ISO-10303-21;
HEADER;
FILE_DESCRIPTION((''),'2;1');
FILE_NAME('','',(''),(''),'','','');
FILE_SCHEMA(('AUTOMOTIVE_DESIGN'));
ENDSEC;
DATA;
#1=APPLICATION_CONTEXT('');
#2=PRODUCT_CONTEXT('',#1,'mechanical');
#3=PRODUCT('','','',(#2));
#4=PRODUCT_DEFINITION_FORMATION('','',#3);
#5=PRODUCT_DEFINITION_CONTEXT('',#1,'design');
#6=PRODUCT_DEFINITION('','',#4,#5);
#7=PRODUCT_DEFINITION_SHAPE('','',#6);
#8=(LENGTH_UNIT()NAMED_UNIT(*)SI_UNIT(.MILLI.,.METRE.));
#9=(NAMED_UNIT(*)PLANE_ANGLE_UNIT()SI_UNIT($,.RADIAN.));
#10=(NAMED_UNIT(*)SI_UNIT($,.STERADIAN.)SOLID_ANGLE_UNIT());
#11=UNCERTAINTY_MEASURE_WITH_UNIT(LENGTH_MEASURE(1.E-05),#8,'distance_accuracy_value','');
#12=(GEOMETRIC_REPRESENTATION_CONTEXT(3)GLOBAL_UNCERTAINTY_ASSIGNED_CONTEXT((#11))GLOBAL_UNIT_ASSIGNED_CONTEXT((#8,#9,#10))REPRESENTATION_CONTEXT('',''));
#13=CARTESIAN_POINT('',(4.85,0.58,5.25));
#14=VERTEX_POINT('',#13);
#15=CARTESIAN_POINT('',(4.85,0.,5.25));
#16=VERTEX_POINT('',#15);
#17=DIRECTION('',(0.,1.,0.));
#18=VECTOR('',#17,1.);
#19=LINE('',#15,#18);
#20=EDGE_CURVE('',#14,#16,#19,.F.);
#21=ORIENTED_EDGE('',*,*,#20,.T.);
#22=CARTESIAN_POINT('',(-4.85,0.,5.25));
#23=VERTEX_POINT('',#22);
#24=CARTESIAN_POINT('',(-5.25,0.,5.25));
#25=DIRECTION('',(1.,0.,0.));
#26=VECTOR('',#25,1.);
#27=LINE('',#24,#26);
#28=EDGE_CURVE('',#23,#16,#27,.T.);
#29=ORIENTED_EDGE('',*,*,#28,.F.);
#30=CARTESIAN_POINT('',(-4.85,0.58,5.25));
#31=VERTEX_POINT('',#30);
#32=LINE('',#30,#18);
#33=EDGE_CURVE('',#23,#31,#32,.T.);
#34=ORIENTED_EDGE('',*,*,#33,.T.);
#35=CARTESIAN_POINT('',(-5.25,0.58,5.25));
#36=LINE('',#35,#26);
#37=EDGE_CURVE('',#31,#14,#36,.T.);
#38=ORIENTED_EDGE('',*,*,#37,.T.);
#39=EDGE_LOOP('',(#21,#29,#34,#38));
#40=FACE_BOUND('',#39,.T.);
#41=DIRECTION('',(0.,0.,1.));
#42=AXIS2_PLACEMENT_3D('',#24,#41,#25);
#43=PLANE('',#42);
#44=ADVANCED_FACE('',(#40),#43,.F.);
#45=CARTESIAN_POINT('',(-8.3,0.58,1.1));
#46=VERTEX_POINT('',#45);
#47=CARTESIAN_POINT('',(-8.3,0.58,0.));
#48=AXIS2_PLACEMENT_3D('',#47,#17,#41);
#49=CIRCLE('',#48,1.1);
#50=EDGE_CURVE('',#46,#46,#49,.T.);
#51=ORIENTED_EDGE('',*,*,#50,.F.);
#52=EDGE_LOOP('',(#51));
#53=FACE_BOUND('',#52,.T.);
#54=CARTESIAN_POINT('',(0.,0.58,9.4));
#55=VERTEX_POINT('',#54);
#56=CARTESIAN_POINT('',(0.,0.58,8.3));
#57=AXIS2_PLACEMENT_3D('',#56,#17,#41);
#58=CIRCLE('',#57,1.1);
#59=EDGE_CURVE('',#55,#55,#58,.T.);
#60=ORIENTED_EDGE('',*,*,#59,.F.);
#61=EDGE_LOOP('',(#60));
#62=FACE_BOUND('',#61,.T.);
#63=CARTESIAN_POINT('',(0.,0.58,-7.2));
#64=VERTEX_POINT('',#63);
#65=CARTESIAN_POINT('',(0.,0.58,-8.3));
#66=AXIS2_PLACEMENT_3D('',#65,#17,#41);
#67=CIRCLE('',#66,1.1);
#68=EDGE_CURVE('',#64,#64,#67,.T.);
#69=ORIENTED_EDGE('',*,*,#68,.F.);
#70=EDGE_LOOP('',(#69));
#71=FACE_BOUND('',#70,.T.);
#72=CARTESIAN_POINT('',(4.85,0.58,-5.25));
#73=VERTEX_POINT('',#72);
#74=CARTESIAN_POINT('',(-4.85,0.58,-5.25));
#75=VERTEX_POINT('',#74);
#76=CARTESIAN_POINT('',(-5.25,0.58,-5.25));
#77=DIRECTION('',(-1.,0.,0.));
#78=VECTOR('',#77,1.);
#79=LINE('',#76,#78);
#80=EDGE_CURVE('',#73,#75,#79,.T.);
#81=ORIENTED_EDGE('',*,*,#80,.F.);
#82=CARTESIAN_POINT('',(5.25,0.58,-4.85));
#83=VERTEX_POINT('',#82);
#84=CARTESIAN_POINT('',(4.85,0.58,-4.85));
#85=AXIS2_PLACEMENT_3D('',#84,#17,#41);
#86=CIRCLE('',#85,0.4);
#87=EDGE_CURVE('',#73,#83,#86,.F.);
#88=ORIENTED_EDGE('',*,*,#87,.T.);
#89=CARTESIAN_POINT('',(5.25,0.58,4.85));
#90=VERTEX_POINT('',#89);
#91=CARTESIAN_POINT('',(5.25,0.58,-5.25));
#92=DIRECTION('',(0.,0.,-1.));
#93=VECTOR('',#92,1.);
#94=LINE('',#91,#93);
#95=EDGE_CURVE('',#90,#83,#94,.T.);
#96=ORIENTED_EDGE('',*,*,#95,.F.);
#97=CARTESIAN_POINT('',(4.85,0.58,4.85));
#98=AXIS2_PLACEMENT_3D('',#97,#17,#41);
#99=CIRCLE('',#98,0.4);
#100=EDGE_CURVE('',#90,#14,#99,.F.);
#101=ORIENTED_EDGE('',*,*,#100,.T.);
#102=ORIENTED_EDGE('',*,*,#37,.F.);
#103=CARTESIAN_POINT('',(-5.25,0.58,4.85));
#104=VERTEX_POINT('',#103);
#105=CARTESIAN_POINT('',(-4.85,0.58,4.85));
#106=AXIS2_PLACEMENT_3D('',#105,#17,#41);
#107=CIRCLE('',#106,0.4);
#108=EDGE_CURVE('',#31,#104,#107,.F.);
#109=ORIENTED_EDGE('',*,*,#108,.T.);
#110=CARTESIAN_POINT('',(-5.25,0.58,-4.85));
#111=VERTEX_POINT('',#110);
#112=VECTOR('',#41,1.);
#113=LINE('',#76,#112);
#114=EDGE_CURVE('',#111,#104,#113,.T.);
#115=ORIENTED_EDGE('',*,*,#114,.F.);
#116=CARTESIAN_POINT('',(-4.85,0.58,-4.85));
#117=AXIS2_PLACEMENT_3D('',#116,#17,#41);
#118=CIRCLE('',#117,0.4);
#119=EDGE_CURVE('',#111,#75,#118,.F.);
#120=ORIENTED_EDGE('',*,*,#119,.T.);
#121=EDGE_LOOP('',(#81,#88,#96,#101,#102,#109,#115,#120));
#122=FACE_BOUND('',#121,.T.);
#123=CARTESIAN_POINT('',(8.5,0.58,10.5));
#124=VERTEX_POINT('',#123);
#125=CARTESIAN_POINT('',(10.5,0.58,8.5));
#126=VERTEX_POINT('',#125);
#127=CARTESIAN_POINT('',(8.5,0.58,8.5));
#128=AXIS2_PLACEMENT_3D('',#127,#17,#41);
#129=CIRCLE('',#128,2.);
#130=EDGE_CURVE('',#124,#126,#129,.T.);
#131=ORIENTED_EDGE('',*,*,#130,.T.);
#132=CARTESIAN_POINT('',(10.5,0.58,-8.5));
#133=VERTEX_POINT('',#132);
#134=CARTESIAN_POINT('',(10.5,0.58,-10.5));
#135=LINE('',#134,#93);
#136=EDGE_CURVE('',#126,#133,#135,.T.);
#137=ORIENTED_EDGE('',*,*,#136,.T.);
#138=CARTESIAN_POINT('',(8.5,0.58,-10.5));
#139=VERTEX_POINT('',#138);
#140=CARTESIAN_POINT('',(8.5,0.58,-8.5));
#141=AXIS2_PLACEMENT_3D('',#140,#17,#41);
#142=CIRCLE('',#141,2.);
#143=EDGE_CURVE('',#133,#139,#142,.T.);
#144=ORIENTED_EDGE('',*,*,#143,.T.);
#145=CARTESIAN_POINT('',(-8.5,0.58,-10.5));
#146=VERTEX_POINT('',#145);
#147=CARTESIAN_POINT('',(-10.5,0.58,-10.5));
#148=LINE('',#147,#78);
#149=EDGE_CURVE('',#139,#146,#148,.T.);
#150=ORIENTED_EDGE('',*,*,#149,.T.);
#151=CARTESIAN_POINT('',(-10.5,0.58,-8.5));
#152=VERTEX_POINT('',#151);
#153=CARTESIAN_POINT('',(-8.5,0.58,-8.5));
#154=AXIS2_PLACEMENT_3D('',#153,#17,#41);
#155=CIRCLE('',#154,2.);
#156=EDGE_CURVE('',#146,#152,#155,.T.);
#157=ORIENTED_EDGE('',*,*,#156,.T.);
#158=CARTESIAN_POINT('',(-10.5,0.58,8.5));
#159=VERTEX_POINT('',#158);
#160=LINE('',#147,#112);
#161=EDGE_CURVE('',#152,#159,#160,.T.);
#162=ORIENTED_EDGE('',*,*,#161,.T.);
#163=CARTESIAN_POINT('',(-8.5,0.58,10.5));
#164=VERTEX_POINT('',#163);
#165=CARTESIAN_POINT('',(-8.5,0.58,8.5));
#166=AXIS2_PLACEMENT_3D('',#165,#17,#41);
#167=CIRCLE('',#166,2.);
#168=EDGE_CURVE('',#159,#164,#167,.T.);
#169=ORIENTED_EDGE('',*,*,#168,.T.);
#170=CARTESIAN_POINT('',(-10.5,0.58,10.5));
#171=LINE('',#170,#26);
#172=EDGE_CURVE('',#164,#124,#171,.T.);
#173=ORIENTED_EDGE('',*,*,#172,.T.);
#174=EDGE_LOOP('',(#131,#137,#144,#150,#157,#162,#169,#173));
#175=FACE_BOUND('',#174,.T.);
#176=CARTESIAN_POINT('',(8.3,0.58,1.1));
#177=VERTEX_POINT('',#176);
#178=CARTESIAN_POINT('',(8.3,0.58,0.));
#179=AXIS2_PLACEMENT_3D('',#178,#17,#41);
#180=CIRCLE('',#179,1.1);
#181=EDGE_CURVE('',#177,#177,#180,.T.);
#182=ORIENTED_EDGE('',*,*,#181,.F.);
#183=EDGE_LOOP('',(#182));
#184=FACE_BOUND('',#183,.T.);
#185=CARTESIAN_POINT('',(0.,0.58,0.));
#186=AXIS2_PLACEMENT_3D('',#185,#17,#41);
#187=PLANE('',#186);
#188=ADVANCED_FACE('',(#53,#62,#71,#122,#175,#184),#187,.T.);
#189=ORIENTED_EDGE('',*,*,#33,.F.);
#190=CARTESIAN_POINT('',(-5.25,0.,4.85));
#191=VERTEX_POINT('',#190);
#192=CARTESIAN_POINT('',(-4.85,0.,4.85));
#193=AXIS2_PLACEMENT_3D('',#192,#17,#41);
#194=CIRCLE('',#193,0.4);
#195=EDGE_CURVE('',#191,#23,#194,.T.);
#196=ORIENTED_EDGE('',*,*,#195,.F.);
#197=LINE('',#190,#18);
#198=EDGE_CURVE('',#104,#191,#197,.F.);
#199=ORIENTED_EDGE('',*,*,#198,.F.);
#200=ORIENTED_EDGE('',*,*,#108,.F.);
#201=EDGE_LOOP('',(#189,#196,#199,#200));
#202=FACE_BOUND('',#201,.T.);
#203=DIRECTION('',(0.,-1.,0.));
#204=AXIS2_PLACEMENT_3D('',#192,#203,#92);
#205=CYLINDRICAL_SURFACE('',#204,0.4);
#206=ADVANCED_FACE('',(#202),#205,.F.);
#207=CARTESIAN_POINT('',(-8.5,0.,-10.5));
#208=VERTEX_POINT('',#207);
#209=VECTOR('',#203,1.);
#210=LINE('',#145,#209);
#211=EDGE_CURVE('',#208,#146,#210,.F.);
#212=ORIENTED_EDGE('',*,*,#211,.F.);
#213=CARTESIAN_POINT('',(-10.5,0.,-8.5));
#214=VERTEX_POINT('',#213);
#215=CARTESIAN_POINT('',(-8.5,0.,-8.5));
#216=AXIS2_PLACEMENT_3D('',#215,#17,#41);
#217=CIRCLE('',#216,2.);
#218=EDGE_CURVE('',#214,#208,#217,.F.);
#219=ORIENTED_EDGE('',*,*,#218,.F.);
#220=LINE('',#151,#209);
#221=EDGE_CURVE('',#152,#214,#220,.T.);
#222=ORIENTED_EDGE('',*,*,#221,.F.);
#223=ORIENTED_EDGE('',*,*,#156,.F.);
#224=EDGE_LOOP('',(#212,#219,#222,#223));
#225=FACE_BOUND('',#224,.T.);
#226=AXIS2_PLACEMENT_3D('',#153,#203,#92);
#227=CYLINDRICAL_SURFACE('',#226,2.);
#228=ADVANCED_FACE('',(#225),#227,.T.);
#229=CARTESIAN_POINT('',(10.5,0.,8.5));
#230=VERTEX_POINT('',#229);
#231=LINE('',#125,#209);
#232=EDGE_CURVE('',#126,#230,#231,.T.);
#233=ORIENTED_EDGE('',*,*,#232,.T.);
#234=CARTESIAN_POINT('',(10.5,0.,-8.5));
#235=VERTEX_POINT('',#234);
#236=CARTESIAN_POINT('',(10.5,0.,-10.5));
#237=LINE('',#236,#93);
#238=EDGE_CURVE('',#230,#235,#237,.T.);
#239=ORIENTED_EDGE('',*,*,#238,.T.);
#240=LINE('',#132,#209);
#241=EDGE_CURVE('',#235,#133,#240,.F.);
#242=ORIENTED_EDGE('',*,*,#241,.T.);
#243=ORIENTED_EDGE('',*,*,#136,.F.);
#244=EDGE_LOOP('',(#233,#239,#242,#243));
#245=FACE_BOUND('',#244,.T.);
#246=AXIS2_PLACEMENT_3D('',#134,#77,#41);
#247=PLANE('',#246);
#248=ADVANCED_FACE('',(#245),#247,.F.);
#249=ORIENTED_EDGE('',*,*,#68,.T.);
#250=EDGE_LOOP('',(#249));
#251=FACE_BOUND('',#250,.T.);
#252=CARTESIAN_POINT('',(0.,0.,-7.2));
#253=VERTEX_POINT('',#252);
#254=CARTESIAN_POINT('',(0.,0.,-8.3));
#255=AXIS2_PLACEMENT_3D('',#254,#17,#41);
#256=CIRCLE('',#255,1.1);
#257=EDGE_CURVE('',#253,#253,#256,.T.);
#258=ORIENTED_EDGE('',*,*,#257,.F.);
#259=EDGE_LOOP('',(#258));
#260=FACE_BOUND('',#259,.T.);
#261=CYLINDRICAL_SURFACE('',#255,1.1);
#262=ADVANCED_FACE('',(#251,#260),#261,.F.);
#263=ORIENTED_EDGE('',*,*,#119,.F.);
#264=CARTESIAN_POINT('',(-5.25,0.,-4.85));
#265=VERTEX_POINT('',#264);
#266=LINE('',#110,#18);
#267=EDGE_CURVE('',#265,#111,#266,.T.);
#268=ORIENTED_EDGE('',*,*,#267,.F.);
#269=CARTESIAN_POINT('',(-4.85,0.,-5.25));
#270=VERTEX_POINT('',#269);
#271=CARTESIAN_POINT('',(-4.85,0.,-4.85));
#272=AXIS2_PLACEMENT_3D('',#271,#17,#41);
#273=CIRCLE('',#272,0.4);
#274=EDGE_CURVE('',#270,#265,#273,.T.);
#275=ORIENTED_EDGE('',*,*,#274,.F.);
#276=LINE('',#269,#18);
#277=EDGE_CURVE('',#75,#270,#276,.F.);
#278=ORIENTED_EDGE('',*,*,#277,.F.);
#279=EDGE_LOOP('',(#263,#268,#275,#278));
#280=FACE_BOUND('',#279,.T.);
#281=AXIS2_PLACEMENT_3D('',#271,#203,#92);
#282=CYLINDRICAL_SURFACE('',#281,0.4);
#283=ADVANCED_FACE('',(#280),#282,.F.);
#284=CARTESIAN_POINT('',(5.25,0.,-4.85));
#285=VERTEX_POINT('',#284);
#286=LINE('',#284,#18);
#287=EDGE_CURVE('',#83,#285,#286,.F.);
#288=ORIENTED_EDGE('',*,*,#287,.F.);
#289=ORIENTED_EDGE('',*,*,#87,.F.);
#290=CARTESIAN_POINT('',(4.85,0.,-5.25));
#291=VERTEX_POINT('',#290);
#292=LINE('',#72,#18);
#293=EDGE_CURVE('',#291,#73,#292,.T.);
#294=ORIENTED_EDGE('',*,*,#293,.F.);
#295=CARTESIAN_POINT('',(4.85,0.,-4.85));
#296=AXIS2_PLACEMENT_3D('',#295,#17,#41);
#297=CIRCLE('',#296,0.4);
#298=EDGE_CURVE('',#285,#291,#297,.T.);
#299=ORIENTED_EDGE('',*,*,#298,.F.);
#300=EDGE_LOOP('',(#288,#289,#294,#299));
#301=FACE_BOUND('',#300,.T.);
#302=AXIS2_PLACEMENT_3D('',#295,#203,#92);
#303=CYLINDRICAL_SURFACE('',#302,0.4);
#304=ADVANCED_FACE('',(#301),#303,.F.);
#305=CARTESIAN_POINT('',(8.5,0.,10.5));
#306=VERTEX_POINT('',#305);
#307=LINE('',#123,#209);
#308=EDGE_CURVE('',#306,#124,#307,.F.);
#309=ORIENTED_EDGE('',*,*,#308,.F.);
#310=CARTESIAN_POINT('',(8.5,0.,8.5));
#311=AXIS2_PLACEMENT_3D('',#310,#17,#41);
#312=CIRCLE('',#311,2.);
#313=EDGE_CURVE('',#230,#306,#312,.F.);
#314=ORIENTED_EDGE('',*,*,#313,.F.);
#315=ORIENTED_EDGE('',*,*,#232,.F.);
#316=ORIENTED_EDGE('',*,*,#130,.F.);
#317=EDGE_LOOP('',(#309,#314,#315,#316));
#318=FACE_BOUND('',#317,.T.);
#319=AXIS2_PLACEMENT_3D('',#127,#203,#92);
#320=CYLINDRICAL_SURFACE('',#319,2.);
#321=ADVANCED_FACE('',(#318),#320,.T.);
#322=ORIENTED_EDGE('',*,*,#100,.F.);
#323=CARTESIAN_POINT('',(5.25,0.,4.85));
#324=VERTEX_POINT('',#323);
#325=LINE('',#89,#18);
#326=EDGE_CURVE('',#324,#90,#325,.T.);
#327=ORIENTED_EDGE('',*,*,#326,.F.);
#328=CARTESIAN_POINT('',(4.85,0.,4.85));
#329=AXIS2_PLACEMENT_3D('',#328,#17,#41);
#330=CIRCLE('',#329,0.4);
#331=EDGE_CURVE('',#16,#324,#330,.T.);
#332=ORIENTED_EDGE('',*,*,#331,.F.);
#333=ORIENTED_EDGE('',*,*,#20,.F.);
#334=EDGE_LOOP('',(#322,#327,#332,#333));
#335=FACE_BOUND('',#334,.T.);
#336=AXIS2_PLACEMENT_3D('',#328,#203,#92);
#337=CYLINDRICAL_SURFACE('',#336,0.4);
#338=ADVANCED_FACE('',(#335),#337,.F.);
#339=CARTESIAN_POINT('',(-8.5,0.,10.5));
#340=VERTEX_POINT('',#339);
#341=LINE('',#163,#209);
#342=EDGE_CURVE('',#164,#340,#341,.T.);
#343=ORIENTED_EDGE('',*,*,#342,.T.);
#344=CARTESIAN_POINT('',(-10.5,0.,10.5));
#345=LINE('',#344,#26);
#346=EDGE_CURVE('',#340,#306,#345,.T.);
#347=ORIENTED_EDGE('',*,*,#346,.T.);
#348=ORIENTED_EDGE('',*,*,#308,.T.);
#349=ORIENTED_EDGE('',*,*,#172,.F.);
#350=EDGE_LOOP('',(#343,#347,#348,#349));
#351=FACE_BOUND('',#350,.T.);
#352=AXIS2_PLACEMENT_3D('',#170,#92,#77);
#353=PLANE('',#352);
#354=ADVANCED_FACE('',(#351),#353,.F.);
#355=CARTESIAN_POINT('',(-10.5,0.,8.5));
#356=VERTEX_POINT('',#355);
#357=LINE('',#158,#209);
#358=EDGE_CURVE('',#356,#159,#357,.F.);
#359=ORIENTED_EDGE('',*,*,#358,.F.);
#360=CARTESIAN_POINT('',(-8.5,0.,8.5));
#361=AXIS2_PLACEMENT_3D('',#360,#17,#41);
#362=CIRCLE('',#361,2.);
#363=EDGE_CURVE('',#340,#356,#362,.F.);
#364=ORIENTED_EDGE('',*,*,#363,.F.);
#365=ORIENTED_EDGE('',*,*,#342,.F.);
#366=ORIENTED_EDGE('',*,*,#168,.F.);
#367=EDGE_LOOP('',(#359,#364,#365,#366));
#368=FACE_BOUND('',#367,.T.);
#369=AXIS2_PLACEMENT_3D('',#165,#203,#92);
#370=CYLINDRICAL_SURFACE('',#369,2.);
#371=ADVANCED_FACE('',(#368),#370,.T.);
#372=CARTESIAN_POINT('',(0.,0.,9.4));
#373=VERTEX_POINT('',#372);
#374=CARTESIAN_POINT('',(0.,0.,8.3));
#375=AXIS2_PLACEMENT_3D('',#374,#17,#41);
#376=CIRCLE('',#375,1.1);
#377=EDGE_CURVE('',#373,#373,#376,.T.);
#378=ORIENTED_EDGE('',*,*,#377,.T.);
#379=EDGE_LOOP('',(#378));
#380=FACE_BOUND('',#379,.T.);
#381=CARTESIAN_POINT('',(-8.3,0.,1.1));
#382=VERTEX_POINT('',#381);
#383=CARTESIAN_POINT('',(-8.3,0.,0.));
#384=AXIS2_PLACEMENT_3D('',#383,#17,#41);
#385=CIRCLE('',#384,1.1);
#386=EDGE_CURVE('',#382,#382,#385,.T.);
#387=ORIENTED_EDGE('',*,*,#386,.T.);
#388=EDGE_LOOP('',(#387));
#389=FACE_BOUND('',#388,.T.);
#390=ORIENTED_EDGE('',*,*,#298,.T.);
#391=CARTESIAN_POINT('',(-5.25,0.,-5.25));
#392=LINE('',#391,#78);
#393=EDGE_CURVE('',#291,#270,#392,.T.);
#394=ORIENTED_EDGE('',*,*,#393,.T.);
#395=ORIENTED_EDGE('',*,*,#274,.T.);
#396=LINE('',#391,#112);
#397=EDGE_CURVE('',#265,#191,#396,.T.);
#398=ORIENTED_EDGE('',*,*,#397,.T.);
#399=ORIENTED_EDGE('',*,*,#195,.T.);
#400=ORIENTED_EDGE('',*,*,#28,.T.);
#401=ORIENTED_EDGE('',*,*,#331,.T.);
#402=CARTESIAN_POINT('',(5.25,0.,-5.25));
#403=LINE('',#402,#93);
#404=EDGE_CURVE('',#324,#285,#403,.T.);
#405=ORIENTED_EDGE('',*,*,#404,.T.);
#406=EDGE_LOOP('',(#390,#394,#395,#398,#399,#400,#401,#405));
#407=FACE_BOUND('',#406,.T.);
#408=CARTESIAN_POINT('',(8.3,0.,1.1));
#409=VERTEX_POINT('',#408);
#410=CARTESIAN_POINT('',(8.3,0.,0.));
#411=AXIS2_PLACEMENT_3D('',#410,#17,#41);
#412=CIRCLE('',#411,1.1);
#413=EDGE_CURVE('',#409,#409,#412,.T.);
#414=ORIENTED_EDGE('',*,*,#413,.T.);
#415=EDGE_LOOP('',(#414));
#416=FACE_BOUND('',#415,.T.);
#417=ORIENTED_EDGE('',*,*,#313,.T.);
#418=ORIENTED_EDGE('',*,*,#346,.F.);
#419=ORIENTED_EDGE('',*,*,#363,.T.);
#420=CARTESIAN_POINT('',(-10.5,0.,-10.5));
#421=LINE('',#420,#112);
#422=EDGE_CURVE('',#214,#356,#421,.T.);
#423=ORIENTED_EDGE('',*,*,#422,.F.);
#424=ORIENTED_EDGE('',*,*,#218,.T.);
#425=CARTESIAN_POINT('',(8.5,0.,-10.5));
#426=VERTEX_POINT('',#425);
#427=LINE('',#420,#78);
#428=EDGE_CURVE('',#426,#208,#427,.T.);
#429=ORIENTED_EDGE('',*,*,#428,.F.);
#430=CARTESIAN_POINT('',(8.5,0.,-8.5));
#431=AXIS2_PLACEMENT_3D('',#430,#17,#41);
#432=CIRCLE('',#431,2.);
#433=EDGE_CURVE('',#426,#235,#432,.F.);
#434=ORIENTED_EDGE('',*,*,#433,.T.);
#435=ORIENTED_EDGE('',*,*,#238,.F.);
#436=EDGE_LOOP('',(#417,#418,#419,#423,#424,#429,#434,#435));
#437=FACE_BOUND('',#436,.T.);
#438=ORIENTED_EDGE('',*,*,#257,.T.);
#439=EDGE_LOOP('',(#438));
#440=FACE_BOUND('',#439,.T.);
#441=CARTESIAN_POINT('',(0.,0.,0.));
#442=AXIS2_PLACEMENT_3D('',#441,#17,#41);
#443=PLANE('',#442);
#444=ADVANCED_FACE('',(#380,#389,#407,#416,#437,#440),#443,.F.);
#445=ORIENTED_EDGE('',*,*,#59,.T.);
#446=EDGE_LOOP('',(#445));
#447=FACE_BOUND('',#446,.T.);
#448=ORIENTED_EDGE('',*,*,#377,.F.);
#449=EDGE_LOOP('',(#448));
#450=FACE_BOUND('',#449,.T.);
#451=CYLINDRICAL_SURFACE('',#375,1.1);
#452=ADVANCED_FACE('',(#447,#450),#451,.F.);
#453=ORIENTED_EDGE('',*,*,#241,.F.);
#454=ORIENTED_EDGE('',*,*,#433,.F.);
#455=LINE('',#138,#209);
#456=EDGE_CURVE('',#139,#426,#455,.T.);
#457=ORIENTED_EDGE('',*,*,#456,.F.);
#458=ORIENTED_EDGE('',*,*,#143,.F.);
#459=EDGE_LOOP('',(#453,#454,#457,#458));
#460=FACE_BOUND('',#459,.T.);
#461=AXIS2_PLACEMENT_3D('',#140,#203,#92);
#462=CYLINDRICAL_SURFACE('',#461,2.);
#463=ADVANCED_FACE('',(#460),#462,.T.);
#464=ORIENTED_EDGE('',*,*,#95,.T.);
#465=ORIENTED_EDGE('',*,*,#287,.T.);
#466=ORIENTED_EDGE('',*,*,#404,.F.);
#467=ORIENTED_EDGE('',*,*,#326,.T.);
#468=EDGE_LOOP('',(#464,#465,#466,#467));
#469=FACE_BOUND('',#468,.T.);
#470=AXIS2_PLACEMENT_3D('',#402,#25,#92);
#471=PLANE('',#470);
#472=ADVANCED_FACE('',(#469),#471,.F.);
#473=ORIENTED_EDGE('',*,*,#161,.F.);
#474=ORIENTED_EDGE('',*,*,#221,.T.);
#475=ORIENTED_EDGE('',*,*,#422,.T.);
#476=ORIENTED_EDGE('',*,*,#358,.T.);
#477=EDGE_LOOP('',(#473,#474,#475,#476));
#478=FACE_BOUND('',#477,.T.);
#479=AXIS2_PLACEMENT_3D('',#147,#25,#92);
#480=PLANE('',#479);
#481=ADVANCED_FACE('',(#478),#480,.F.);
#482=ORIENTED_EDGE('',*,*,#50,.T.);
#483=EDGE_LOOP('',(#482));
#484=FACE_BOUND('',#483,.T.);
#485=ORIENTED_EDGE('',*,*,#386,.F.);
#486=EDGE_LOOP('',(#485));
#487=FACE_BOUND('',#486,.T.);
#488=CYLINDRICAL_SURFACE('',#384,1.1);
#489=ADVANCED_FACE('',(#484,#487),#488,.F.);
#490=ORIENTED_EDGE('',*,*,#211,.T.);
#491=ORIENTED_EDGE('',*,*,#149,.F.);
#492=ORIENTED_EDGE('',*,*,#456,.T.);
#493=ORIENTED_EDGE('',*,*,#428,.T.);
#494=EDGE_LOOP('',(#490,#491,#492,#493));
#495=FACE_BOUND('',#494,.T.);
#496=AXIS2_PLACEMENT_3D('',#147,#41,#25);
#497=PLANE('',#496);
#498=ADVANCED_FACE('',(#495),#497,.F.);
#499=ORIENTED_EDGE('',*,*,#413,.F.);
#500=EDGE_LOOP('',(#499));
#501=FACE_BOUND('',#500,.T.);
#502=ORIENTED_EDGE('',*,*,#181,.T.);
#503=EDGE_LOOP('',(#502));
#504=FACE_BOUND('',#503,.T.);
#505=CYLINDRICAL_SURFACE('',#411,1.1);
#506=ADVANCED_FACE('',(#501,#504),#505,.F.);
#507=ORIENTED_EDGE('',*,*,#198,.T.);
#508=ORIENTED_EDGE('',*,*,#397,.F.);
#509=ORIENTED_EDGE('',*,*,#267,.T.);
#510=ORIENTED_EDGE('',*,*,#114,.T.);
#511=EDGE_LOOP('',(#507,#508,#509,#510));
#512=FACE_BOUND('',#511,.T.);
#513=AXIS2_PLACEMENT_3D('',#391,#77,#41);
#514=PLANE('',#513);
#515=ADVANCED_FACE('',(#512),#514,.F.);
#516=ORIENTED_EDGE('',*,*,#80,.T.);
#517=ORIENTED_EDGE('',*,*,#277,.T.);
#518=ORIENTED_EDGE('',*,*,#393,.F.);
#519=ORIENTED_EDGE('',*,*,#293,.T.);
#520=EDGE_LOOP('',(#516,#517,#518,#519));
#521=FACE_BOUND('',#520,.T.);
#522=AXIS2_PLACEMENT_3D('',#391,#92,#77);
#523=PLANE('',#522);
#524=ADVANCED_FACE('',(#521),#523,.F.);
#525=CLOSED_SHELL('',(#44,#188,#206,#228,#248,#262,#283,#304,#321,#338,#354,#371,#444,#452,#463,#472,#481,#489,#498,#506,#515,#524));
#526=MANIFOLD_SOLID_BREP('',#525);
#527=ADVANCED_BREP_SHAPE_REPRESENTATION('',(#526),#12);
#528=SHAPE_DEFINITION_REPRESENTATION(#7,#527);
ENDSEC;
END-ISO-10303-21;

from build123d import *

# Parameters (mm, degrees)
SKETCH1_W           = 21
SKETCH1_H           = 21
BOSS_EXTRUDE1_DEPTH = 0.58
SKETCH2_W           = 10.5
SKETCH2_H           = 10.5
CUT_EXTRUDE1_DEPTH  = 15.860565265
FILLET1_R           = 2
SKETCH5_R           = 1.1
CUT_EXTRUDE5_DEPTH  = 15.860565265
FILLET2_R           = 0.4


with BuildPart() as part:
    # Sketch1 → Boss-Extrude1 (new body)
    with BuildSketch(Plane(origin=(0, 0, 0), x_dir=(1, 0, 0), z_dir=(0, 1, 0))):
        Rectangle(SKETCH1_W, SKETCH1_H)
    extrude(amount=BOSS_EXTRUDE1_DEPTH)

    # Sketch2 → Cut-Extrude1 (cut, through all)
    with BuildSketch(Plane(origin=(0, 0.58, 0), x_dir=(1, 0, 0), z_dir=(0, 1, 0))):
        Rectangle(SKETCH2_W, SKETCH2_H)
    extrude(amount=-CUT_EXTRUDE1_DEPTH, mode=Mode.SUBTRACT)

    # Fillet1
    fillet1_edges = [part.edges().sort_by_distance(p)[0] for p in [
        (10.5, 0.29, 10.5),
        (-10.5, 0.29, 10.5),
        (-10.5, 0.29, -10.5),
        (10.5, 0.29, -10.5),
    ]]
    fillet(fillet1_edges, radius=FILLET1_R)

    # Sketch5 → Cut-Extrude5 (cut, through all)
    with BuildSketch(Plane(origin=(0, 0.58, 0), x_dir=(1, 0, 0), z_dir=(0, 1, 0))):
        with Locations(Location((0, 8.3, 0), (0, 0, 270))):
            Circle(SKETCH5_R)
        with Locations(Location((8.3, 0, 0), (0, 0, 270))):
            Circle(SKETCH5_R)
        with Locations(Location((0, -8.3, 0), (0, 0, 270))):
            Circle(SKETCH5_R)
        with Locations(Location((-8.3, 0, 0), (0, 0, 270))):
            Circle(SKETCH5_R)
    extrude(amount=-CUT_EXTRUDE5_DEPTH, mode=Mode.SUBTRACT)

    # Fillet2
    fillet2_edges = [part.edges().sort_by_distance(p)[0] for p in [
        (5.25, 0.29, -5.25),
        (5.25, 0.29, 5.25),
        (-5.25, 0.29, 5.25),
        (-5.25, 0.29, -5.25),
    ]]
    fillet(fillet2_edges, radius=FILLET2_R)


solid = part.part
